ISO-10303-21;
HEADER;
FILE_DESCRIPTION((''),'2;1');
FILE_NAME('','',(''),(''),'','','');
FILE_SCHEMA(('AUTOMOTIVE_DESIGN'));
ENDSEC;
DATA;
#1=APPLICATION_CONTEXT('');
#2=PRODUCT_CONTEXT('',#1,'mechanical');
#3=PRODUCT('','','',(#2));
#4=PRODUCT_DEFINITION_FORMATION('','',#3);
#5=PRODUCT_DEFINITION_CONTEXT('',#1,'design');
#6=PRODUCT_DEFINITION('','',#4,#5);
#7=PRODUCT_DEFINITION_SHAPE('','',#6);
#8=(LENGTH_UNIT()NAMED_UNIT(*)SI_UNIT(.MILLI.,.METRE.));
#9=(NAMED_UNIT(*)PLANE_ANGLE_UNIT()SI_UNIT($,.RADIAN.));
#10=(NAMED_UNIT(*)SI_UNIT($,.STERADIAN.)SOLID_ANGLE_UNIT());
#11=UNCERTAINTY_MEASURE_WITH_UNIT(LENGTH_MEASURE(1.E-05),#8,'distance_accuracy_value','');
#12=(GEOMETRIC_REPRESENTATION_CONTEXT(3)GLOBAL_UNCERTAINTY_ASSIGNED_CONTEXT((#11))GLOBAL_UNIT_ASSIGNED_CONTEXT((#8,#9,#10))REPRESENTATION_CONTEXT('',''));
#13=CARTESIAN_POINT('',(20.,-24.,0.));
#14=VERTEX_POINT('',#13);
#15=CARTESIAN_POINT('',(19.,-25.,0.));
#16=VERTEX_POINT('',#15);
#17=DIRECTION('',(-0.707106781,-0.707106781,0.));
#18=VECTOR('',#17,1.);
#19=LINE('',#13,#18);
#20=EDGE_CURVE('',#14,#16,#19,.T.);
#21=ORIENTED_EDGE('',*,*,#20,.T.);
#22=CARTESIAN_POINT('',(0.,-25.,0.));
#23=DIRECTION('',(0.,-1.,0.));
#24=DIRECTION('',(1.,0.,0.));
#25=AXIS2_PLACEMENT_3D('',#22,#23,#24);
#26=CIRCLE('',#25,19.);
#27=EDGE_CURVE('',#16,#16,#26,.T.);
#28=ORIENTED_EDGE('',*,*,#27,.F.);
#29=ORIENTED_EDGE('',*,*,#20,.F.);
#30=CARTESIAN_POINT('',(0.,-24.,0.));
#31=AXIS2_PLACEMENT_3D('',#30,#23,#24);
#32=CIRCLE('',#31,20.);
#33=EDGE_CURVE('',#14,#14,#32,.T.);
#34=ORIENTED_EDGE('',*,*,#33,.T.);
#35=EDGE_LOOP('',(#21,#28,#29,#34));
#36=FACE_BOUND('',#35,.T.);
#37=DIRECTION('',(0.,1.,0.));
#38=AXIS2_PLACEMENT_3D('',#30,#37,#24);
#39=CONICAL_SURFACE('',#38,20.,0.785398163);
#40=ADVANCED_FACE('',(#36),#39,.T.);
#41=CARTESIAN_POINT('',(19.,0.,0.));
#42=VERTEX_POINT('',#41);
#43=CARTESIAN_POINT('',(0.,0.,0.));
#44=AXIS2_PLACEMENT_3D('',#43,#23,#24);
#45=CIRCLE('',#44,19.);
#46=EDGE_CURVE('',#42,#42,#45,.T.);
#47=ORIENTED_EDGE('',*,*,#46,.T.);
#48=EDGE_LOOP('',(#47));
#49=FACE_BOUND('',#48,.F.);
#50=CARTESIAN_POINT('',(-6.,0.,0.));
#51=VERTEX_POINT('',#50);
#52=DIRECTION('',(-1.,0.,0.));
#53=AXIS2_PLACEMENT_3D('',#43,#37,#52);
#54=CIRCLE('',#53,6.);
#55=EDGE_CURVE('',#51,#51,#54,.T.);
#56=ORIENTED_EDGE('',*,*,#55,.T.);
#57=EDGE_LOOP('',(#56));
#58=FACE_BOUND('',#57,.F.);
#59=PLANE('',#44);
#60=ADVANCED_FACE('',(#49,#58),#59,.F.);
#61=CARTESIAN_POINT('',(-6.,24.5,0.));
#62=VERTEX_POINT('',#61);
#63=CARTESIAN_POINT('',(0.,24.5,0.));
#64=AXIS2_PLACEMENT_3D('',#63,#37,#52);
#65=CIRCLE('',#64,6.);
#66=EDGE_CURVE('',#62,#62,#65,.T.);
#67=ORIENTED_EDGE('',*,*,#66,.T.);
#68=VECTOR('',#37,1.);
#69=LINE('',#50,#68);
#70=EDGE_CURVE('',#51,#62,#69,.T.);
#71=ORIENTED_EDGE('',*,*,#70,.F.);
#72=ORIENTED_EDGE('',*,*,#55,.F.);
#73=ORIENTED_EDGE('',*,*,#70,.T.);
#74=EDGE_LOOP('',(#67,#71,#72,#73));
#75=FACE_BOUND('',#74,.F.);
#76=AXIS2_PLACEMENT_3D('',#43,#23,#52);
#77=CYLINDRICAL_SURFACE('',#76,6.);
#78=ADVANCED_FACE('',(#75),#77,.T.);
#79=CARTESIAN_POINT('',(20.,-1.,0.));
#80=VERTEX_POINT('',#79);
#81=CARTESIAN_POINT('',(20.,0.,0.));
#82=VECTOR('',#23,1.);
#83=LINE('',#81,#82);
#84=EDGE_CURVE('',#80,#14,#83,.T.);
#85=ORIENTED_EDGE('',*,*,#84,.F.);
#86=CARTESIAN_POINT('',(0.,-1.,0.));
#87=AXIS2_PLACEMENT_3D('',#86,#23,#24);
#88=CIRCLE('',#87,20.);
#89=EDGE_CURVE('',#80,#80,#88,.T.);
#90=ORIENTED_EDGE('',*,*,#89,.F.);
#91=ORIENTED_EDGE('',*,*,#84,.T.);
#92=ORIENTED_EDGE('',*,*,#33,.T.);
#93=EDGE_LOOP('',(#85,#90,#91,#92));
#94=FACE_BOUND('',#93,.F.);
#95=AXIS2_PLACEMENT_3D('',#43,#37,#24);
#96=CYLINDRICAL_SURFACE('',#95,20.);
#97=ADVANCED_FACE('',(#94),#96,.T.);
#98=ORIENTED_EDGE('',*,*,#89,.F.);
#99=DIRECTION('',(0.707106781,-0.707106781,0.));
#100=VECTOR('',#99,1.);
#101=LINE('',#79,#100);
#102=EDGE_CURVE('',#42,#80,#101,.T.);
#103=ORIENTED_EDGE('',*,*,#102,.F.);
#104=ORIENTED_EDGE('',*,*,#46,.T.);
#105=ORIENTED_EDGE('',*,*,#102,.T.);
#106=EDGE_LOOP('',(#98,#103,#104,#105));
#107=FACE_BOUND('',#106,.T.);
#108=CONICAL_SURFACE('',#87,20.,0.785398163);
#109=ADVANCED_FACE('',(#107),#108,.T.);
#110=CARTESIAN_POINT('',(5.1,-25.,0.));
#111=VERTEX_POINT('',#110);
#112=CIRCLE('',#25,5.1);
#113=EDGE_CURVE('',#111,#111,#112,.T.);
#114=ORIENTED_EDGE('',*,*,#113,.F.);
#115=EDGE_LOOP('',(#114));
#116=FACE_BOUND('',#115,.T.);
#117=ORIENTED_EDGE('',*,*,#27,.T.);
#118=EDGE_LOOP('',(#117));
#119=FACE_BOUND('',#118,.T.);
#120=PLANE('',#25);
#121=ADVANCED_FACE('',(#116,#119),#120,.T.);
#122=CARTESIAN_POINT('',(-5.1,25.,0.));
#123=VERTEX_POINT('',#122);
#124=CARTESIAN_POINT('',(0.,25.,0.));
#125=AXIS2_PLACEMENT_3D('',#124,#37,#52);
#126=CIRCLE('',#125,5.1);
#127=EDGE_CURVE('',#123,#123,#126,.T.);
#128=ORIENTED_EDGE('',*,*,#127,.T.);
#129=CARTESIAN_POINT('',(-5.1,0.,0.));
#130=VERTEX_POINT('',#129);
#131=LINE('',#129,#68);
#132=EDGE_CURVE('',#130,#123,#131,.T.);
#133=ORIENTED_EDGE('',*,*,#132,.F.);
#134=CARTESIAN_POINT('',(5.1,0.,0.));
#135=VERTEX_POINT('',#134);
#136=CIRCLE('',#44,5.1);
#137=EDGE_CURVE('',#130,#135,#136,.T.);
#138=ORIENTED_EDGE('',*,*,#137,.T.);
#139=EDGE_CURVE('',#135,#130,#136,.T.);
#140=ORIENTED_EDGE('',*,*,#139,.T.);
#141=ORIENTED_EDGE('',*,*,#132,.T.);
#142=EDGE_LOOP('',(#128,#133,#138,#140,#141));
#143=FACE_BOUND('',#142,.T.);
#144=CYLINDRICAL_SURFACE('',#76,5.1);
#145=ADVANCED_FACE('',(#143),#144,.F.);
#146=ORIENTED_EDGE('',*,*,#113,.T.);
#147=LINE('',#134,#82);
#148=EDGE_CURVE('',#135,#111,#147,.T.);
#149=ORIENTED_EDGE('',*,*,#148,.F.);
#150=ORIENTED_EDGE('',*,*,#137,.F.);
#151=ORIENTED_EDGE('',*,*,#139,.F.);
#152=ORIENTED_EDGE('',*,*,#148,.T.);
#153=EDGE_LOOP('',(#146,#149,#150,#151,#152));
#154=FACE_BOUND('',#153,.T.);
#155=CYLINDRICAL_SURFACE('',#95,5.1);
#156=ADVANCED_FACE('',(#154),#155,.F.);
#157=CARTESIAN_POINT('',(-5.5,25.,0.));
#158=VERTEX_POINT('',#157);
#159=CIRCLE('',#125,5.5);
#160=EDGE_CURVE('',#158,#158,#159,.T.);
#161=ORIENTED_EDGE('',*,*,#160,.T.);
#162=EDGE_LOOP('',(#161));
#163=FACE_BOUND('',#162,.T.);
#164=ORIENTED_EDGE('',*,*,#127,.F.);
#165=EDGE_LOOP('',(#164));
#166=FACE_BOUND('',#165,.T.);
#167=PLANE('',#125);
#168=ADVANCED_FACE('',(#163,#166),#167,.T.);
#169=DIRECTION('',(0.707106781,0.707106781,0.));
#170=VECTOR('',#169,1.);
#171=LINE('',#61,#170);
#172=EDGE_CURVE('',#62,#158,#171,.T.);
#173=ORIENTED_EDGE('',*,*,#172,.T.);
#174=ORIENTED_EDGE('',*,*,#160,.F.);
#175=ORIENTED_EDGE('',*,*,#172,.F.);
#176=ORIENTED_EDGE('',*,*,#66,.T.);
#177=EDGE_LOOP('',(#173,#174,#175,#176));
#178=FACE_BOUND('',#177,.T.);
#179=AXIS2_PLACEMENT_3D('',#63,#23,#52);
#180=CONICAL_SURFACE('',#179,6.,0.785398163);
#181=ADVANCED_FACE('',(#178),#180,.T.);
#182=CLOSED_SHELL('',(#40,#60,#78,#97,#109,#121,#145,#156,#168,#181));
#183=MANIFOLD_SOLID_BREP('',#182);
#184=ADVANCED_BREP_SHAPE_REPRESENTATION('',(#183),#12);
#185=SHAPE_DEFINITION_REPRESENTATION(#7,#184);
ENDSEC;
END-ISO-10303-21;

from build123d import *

# Parameters (mm, degrees)
F0_R     = 20
F0_R_2   = 5.1
F1_DEPTH = 25
F2_R     = 6
F2_R_2   = 5.1
F3_DEPTH = 25
F4_SIZE  = 1
F5_SIZE  = 0.5


with BuildPart() as f1:
    # F0 (on Front) → F1 (new body)
    with BuildSketch(Plane.XZ):
        Circle(F0_R)
        Circle(F0_R_2, mode=Mode.SUBTRACT)
    extrude(amount=F1_DEPTH)

    # F2 (on face) → F3 (join)
    with BuildSketch(Plane(origin=(0, 0, 0), x_dir=(-1, 0, 0), z_dir=(0, 1, 0))):
        Circle(F2_R)
        Circle(F2_R_2, mode=Mode.SUBTRACT)
    extrude(amount=F3_DEPTH)

    # F4
    f4_edges = [f1.edges().sort_by_distance(p)[0] for p in [
        (-20, -25, 0),
        (-20, 0, 0),
    ]]
    chamfer(f4_edges, length=F4_SIZE)

    # F5
    f5_edges = [f1.edges().sort_by_distance(p)[0] for p in [
        (6, 25, 0),
    ]]
    chamfer(f5_edges, length=F5_SIZE)


solid = f1.part
